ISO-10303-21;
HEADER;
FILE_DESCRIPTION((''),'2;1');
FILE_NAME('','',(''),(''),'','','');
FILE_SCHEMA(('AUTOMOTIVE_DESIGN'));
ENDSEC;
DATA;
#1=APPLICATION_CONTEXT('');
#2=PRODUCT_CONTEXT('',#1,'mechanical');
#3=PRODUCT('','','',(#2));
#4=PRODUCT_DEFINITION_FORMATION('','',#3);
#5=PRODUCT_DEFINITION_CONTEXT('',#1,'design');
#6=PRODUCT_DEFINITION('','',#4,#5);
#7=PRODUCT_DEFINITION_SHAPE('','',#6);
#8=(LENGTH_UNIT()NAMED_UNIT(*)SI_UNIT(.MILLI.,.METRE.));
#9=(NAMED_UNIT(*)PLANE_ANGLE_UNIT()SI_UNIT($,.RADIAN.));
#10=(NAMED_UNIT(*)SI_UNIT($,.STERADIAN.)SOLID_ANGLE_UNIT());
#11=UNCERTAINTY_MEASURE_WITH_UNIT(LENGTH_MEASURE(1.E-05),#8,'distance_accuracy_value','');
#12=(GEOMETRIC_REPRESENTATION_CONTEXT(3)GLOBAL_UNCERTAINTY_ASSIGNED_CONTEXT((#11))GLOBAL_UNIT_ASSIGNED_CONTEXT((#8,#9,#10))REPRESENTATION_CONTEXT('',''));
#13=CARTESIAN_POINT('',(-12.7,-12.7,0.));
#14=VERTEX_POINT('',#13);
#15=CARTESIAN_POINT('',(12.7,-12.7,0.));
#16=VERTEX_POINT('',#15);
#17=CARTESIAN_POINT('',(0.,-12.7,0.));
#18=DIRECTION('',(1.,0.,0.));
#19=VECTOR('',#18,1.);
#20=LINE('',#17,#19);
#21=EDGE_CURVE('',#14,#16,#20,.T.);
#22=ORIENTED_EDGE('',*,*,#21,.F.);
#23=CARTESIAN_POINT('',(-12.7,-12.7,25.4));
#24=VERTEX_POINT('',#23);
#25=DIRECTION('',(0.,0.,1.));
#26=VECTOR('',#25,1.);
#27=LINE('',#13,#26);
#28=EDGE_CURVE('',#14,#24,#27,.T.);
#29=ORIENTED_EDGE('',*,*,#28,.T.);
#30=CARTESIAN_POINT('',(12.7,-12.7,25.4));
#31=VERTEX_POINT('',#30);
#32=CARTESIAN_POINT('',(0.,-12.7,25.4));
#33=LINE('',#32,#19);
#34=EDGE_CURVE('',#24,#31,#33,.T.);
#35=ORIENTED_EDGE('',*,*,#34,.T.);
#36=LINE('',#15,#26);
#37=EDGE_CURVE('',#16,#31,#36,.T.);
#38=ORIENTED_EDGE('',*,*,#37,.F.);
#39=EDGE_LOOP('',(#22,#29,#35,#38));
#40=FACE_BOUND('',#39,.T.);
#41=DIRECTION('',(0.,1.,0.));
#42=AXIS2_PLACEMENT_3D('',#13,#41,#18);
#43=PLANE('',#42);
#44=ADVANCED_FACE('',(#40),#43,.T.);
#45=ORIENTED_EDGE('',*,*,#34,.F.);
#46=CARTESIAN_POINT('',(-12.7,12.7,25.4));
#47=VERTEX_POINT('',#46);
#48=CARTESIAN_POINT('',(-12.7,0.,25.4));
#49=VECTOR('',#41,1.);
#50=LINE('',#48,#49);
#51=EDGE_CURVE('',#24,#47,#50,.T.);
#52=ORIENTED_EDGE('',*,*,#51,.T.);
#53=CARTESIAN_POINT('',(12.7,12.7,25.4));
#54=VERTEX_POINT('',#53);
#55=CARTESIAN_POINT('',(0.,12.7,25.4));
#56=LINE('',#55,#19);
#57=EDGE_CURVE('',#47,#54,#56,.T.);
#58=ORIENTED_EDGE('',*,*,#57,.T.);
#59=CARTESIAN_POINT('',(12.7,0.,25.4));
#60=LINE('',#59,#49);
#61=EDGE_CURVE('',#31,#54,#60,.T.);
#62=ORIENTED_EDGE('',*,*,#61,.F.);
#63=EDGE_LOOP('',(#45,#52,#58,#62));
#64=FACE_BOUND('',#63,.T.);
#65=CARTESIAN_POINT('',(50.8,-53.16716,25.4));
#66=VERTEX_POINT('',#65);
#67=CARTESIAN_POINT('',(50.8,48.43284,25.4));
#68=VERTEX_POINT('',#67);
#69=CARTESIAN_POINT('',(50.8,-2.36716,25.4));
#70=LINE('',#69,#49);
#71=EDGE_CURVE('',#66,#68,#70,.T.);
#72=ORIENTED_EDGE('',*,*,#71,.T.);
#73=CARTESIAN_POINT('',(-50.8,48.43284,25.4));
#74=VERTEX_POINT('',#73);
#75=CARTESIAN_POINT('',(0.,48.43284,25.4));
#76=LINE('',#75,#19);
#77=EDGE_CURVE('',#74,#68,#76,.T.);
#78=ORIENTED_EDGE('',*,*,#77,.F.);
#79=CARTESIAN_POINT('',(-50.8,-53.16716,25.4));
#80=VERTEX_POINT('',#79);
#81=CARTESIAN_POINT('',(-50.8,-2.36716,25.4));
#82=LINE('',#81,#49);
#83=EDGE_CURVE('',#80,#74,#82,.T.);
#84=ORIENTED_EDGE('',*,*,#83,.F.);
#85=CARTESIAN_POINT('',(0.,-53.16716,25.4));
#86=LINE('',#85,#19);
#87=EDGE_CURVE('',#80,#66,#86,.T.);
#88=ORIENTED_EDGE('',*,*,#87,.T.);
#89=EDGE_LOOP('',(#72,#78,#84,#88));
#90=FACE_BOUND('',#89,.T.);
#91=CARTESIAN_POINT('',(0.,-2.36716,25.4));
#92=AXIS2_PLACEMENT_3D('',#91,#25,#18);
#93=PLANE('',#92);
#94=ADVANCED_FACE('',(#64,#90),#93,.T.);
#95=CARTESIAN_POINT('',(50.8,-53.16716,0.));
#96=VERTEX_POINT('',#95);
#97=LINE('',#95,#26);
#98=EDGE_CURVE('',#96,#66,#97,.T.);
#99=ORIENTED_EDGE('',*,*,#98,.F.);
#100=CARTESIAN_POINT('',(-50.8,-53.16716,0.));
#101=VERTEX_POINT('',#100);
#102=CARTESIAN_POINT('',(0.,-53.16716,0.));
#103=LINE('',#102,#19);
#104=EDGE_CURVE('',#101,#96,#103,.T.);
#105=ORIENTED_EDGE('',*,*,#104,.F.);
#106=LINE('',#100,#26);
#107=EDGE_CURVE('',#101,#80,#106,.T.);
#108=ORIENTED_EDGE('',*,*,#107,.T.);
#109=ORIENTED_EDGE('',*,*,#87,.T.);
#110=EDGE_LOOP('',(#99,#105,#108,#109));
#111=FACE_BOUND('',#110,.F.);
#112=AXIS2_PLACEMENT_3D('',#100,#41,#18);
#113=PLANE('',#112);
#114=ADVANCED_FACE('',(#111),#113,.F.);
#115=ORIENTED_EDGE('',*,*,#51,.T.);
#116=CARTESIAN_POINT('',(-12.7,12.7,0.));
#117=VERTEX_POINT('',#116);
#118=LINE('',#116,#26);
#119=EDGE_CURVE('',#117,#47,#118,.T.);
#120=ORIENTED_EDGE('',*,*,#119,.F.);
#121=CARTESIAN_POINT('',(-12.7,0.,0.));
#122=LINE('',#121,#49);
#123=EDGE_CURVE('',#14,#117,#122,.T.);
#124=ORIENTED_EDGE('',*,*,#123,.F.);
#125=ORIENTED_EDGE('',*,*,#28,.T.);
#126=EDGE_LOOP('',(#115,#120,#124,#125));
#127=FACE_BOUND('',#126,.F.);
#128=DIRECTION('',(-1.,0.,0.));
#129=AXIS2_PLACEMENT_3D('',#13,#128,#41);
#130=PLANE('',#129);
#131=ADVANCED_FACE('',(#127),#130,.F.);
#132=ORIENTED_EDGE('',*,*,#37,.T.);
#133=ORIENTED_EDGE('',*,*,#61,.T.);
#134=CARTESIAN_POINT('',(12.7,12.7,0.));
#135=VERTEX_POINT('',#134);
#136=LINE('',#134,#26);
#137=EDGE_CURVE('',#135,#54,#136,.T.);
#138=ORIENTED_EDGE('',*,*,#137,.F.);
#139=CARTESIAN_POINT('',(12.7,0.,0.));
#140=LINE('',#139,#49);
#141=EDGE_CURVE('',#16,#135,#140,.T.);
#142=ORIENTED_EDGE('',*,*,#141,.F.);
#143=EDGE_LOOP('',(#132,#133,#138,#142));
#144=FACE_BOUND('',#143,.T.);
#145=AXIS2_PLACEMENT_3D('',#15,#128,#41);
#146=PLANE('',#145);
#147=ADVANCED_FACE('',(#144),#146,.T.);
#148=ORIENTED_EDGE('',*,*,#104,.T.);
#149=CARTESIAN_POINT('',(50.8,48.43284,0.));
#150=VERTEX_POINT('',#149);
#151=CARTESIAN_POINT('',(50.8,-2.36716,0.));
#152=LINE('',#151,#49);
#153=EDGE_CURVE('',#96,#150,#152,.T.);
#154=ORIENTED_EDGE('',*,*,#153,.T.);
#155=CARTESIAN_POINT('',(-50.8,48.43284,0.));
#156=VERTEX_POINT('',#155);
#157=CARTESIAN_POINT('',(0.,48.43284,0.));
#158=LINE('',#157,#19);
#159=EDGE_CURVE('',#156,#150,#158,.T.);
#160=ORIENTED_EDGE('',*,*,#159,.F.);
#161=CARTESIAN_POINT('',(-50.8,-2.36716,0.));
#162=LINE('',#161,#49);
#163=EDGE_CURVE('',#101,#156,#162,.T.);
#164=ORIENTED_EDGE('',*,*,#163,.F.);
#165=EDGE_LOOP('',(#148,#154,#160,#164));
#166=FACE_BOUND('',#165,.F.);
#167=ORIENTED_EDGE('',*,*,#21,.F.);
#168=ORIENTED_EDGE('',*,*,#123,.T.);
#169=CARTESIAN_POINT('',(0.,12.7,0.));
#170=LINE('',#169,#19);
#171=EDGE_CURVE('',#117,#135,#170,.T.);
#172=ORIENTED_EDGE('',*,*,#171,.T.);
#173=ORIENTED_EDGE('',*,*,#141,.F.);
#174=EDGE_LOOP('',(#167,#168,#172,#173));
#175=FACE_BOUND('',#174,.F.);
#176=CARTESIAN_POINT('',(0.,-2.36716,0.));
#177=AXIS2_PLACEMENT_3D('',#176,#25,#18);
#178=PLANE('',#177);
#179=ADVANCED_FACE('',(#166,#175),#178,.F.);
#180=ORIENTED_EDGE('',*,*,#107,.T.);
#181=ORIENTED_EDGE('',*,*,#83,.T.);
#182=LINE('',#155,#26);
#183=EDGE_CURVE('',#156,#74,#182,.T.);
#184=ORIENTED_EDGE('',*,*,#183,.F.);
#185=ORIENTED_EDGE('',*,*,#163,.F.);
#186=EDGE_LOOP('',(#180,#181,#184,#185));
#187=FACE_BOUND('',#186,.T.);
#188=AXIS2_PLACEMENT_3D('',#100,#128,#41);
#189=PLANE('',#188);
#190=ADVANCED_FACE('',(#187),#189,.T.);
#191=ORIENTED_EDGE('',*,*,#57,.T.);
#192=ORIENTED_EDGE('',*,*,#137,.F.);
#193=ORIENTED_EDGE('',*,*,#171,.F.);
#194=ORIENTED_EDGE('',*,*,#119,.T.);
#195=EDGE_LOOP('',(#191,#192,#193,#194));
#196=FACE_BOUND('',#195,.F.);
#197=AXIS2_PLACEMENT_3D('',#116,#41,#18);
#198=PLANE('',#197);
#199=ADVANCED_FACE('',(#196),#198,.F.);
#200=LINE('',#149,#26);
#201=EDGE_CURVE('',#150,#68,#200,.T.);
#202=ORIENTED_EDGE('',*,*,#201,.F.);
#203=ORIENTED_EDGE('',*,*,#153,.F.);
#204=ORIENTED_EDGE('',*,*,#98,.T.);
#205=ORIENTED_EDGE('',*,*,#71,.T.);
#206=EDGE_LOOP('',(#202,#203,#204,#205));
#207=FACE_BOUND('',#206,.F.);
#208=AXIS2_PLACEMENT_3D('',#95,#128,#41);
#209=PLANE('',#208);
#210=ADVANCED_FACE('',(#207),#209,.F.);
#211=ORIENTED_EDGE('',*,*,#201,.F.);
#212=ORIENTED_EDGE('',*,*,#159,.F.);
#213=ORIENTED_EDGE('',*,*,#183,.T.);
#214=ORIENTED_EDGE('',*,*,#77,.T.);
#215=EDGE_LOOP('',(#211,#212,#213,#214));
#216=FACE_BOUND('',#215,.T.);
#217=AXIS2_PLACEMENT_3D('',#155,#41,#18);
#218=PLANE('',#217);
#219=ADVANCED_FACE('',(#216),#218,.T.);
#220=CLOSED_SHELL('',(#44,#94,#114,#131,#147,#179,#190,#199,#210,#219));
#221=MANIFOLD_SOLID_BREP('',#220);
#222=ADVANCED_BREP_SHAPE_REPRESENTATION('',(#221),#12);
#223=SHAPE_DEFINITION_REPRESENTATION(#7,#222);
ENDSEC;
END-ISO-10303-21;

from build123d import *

# Parameters (mm, degrees)
F0_W     = 101.6
F0_H     = 101.6
F0_W_2   = 25.4
F0_H_2   = 25.4
F1_DEPTH = 25.4


with BuildPart() as f1:
    # F0 (on Top) → F1 (new body)
    with BuildSketch(Plane.XY):
        with Locations((0, -2.36716)):
            Rectangle(F0_W, F0_H)
        Rectangle(F0_W_2, F0_H_2, mode=Mode.SUBTRACT)
    extrude(amount=F1_DEPTH)


solid = f1.part
